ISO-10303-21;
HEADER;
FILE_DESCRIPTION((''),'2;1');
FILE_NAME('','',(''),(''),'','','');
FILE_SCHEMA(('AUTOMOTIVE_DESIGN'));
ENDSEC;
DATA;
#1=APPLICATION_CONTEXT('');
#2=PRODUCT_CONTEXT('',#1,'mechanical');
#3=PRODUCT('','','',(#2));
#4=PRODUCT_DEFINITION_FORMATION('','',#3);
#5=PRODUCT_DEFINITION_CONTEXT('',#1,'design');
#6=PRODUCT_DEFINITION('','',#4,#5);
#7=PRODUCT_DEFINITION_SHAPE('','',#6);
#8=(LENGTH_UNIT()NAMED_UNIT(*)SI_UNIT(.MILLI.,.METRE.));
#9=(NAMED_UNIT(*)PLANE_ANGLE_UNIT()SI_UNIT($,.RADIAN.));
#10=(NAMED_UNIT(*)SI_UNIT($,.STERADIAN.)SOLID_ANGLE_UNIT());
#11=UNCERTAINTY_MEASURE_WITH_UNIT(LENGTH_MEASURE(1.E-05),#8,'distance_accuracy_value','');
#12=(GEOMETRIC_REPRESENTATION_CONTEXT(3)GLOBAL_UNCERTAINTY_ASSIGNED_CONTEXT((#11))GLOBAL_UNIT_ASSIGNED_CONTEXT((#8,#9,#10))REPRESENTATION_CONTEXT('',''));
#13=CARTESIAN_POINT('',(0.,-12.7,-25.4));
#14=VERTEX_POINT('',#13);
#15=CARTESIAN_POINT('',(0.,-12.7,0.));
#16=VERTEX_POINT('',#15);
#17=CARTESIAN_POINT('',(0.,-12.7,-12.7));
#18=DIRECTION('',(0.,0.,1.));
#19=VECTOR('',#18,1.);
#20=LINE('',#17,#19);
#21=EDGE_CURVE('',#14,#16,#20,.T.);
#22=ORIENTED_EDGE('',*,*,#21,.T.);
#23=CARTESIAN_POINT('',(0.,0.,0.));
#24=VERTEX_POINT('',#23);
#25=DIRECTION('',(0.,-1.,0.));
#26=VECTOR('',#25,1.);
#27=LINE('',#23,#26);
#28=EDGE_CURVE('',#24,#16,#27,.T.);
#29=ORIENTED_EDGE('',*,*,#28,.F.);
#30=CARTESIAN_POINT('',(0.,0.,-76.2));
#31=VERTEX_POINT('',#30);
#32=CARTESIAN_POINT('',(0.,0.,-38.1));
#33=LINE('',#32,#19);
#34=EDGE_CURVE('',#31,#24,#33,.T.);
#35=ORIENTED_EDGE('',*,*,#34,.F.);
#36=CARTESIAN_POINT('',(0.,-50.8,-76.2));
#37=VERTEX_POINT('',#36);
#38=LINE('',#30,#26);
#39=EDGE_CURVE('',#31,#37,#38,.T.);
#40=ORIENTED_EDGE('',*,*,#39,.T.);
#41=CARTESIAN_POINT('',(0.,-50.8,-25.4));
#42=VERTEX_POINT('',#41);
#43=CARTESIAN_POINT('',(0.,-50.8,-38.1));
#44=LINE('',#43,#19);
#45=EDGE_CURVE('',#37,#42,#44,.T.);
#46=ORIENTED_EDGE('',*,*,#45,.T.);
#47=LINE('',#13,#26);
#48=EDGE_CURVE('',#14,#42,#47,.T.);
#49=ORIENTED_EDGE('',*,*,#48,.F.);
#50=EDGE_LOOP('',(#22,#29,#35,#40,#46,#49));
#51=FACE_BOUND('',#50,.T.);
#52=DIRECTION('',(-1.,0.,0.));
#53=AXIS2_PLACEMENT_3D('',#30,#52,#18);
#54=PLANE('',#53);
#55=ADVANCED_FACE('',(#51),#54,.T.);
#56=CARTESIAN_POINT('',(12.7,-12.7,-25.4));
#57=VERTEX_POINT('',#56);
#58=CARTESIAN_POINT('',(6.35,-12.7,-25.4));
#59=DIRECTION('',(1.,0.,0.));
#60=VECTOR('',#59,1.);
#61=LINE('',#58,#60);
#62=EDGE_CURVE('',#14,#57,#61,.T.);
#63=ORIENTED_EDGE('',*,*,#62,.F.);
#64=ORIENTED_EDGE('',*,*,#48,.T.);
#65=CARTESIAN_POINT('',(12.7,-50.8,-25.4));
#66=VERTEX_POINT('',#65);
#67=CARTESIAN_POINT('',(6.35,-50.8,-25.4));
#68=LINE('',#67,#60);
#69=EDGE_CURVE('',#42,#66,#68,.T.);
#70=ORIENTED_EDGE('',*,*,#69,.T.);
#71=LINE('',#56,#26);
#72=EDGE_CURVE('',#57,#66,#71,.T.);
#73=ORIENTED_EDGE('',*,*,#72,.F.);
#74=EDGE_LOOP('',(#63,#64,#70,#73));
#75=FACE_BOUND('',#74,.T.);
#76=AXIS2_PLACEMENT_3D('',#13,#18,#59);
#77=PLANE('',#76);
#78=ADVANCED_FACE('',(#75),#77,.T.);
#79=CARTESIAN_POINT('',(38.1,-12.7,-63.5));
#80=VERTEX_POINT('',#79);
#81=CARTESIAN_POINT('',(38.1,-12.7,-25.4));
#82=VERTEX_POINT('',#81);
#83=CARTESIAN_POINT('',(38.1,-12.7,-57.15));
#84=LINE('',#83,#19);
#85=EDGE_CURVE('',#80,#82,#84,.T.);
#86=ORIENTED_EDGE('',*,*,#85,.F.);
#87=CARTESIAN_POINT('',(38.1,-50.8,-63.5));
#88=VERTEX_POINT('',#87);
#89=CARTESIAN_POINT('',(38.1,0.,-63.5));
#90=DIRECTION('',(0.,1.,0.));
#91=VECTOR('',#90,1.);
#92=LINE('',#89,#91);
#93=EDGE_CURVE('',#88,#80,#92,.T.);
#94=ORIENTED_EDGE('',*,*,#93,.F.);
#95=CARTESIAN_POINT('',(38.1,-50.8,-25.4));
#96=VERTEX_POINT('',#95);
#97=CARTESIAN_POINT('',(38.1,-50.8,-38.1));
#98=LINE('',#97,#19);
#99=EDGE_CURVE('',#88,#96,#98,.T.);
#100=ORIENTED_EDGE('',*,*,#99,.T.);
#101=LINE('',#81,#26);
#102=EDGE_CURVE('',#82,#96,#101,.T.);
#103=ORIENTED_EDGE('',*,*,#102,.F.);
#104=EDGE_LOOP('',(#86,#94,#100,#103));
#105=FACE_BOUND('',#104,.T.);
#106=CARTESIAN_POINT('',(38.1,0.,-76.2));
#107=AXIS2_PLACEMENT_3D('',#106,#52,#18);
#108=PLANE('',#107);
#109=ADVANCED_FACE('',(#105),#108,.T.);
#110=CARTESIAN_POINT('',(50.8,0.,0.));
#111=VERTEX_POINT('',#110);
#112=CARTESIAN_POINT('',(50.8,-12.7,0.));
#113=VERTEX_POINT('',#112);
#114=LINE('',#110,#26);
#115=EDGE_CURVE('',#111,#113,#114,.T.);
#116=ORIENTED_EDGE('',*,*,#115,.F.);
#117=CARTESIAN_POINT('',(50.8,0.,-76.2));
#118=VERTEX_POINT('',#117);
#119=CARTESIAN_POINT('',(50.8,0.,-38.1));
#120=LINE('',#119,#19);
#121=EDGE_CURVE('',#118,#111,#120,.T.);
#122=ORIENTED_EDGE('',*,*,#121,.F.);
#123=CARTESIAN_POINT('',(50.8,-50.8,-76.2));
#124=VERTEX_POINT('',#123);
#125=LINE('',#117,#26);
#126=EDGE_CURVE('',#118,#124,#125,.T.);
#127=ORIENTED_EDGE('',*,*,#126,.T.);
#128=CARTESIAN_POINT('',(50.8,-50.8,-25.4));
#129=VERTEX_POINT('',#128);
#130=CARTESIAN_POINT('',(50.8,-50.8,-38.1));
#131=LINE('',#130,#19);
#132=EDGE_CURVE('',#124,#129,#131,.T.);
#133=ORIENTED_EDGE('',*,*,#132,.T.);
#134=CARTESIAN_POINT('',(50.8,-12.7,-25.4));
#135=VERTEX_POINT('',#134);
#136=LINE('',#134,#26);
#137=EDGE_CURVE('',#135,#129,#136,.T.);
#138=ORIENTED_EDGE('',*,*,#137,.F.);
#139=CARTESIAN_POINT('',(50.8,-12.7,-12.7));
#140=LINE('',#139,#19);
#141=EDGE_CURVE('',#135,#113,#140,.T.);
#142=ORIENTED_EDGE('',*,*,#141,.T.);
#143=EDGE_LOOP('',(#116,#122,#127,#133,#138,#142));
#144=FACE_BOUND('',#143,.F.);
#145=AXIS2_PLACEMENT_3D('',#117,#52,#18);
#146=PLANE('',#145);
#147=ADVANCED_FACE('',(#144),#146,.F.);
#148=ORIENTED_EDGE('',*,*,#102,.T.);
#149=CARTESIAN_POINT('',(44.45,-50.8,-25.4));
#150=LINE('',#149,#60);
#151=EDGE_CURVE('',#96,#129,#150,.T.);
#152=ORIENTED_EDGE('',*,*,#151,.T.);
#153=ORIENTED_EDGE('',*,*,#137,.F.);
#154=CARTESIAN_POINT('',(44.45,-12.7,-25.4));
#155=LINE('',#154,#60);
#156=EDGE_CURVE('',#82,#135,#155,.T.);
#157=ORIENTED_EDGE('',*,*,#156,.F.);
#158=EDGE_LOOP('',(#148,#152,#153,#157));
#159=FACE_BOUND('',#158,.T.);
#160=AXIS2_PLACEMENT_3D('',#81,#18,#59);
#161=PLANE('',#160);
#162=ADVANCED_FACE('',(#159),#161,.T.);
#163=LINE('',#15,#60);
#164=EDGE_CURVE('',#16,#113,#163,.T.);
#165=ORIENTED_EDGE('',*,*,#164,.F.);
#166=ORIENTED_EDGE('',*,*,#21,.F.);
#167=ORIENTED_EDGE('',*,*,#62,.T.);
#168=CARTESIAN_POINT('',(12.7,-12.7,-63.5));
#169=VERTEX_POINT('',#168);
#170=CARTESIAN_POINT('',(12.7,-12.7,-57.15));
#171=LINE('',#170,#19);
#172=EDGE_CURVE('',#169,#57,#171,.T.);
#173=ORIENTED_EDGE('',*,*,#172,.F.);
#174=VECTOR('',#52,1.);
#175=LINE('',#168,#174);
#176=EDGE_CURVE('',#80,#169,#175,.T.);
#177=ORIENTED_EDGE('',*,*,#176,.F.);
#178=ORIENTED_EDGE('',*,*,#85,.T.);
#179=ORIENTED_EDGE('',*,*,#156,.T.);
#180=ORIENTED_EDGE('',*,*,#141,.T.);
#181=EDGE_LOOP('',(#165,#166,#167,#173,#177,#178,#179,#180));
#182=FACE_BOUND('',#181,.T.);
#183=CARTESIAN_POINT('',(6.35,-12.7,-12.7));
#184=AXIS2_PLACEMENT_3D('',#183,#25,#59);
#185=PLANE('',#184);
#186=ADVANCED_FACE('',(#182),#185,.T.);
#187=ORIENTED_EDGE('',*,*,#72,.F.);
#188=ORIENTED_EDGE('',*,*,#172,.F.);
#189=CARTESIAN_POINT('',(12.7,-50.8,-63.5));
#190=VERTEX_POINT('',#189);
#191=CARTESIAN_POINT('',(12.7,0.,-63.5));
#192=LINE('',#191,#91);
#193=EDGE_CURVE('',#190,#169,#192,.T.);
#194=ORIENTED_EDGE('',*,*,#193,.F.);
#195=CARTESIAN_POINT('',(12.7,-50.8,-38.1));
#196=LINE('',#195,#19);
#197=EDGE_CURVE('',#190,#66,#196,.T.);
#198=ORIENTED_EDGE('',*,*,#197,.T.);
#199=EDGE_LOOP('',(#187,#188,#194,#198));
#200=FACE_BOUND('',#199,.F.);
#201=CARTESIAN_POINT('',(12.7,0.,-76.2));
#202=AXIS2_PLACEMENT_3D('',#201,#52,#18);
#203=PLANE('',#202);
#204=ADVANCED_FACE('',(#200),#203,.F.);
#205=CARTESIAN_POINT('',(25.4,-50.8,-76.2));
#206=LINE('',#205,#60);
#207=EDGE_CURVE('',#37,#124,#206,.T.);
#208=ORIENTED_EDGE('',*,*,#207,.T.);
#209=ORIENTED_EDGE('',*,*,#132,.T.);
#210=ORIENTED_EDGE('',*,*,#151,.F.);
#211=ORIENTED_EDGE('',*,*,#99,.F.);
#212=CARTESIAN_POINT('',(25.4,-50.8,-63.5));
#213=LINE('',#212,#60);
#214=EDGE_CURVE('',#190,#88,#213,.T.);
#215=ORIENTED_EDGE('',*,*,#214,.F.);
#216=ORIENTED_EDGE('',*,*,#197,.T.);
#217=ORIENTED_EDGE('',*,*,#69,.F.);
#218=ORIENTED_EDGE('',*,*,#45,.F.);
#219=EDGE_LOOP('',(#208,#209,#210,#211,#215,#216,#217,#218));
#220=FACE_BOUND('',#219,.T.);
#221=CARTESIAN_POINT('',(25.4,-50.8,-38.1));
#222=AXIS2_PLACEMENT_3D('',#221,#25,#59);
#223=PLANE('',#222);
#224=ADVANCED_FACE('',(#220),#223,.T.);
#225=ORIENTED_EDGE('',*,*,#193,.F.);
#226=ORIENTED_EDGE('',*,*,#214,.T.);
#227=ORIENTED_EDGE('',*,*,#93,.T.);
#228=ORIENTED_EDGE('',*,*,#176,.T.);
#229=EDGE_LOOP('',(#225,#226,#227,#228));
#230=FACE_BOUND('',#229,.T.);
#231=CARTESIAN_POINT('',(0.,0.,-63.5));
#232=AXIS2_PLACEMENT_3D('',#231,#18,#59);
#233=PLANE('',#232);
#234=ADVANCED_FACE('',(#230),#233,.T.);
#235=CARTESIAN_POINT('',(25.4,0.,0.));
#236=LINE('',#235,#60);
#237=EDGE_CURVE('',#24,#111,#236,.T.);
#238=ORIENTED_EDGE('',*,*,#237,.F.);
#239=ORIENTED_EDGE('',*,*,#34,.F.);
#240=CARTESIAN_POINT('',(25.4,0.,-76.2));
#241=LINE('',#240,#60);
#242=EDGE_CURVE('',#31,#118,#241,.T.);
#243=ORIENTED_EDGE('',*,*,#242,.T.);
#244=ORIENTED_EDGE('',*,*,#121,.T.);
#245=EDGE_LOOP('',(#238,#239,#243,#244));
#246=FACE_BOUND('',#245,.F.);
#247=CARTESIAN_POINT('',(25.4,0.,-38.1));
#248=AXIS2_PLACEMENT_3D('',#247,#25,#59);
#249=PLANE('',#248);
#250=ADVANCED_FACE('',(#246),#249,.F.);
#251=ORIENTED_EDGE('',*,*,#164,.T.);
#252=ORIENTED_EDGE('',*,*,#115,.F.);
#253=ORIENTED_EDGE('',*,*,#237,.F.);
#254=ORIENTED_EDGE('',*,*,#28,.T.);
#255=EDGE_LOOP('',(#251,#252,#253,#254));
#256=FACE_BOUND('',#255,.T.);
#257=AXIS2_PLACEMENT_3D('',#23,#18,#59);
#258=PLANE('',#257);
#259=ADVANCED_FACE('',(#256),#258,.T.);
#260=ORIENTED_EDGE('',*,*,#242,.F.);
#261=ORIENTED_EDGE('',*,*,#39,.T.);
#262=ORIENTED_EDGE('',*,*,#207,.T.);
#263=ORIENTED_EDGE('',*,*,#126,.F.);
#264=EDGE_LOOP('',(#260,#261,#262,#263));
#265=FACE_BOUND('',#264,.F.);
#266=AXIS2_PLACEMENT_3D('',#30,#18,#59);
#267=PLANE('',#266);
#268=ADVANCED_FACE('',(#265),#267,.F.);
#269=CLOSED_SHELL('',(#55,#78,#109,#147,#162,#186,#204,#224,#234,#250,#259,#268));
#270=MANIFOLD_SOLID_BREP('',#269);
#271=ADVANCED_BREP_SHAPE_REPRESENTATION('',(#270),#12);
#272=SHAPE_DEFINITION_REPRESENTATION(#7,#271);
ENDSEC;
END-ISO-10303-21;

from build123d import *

# Parameters (mm, degrees)
F0_W     = 50.8
F0_H     = 76.2
F1_DEPTH = 50.8
F2_T     = -12.7
F3_W     = 12.7
F3_H     = 25.4
F4_DEPTH = 38.1


with BuildPart() as f1:
    # F0 (on Front) → F1 (new body)
    with BuildSketch(Plane.XZ):
        with Locations((25.4, -38.1)):
            Rectangle(F0_W, F0_H)
    extrude(amount=F1_DEPTH)

    # F2
    f2_openings = [f1.faces().sort_by_distance(p)[0] for p in [
        (25.4, -50.8, -38.1),
        (25.4, -25.4, 0),
    ]]
    offset(amount=F2_T, openings=f2_openings)

    # F3 (on face) → F4 (cut)
    with BuildSketch(Plane.XZ.offset(12.7)):
        with Locations((6.35, -12.7)):
            Rectangle(F3_W, F3_H)
        with Locations((44.45, -12.7)):
            Rectangle(F3_W, F3_H)
    extrude(amount=F4_DEPTH, mode=Mode.SUBTRACT)


solid = f1.part
